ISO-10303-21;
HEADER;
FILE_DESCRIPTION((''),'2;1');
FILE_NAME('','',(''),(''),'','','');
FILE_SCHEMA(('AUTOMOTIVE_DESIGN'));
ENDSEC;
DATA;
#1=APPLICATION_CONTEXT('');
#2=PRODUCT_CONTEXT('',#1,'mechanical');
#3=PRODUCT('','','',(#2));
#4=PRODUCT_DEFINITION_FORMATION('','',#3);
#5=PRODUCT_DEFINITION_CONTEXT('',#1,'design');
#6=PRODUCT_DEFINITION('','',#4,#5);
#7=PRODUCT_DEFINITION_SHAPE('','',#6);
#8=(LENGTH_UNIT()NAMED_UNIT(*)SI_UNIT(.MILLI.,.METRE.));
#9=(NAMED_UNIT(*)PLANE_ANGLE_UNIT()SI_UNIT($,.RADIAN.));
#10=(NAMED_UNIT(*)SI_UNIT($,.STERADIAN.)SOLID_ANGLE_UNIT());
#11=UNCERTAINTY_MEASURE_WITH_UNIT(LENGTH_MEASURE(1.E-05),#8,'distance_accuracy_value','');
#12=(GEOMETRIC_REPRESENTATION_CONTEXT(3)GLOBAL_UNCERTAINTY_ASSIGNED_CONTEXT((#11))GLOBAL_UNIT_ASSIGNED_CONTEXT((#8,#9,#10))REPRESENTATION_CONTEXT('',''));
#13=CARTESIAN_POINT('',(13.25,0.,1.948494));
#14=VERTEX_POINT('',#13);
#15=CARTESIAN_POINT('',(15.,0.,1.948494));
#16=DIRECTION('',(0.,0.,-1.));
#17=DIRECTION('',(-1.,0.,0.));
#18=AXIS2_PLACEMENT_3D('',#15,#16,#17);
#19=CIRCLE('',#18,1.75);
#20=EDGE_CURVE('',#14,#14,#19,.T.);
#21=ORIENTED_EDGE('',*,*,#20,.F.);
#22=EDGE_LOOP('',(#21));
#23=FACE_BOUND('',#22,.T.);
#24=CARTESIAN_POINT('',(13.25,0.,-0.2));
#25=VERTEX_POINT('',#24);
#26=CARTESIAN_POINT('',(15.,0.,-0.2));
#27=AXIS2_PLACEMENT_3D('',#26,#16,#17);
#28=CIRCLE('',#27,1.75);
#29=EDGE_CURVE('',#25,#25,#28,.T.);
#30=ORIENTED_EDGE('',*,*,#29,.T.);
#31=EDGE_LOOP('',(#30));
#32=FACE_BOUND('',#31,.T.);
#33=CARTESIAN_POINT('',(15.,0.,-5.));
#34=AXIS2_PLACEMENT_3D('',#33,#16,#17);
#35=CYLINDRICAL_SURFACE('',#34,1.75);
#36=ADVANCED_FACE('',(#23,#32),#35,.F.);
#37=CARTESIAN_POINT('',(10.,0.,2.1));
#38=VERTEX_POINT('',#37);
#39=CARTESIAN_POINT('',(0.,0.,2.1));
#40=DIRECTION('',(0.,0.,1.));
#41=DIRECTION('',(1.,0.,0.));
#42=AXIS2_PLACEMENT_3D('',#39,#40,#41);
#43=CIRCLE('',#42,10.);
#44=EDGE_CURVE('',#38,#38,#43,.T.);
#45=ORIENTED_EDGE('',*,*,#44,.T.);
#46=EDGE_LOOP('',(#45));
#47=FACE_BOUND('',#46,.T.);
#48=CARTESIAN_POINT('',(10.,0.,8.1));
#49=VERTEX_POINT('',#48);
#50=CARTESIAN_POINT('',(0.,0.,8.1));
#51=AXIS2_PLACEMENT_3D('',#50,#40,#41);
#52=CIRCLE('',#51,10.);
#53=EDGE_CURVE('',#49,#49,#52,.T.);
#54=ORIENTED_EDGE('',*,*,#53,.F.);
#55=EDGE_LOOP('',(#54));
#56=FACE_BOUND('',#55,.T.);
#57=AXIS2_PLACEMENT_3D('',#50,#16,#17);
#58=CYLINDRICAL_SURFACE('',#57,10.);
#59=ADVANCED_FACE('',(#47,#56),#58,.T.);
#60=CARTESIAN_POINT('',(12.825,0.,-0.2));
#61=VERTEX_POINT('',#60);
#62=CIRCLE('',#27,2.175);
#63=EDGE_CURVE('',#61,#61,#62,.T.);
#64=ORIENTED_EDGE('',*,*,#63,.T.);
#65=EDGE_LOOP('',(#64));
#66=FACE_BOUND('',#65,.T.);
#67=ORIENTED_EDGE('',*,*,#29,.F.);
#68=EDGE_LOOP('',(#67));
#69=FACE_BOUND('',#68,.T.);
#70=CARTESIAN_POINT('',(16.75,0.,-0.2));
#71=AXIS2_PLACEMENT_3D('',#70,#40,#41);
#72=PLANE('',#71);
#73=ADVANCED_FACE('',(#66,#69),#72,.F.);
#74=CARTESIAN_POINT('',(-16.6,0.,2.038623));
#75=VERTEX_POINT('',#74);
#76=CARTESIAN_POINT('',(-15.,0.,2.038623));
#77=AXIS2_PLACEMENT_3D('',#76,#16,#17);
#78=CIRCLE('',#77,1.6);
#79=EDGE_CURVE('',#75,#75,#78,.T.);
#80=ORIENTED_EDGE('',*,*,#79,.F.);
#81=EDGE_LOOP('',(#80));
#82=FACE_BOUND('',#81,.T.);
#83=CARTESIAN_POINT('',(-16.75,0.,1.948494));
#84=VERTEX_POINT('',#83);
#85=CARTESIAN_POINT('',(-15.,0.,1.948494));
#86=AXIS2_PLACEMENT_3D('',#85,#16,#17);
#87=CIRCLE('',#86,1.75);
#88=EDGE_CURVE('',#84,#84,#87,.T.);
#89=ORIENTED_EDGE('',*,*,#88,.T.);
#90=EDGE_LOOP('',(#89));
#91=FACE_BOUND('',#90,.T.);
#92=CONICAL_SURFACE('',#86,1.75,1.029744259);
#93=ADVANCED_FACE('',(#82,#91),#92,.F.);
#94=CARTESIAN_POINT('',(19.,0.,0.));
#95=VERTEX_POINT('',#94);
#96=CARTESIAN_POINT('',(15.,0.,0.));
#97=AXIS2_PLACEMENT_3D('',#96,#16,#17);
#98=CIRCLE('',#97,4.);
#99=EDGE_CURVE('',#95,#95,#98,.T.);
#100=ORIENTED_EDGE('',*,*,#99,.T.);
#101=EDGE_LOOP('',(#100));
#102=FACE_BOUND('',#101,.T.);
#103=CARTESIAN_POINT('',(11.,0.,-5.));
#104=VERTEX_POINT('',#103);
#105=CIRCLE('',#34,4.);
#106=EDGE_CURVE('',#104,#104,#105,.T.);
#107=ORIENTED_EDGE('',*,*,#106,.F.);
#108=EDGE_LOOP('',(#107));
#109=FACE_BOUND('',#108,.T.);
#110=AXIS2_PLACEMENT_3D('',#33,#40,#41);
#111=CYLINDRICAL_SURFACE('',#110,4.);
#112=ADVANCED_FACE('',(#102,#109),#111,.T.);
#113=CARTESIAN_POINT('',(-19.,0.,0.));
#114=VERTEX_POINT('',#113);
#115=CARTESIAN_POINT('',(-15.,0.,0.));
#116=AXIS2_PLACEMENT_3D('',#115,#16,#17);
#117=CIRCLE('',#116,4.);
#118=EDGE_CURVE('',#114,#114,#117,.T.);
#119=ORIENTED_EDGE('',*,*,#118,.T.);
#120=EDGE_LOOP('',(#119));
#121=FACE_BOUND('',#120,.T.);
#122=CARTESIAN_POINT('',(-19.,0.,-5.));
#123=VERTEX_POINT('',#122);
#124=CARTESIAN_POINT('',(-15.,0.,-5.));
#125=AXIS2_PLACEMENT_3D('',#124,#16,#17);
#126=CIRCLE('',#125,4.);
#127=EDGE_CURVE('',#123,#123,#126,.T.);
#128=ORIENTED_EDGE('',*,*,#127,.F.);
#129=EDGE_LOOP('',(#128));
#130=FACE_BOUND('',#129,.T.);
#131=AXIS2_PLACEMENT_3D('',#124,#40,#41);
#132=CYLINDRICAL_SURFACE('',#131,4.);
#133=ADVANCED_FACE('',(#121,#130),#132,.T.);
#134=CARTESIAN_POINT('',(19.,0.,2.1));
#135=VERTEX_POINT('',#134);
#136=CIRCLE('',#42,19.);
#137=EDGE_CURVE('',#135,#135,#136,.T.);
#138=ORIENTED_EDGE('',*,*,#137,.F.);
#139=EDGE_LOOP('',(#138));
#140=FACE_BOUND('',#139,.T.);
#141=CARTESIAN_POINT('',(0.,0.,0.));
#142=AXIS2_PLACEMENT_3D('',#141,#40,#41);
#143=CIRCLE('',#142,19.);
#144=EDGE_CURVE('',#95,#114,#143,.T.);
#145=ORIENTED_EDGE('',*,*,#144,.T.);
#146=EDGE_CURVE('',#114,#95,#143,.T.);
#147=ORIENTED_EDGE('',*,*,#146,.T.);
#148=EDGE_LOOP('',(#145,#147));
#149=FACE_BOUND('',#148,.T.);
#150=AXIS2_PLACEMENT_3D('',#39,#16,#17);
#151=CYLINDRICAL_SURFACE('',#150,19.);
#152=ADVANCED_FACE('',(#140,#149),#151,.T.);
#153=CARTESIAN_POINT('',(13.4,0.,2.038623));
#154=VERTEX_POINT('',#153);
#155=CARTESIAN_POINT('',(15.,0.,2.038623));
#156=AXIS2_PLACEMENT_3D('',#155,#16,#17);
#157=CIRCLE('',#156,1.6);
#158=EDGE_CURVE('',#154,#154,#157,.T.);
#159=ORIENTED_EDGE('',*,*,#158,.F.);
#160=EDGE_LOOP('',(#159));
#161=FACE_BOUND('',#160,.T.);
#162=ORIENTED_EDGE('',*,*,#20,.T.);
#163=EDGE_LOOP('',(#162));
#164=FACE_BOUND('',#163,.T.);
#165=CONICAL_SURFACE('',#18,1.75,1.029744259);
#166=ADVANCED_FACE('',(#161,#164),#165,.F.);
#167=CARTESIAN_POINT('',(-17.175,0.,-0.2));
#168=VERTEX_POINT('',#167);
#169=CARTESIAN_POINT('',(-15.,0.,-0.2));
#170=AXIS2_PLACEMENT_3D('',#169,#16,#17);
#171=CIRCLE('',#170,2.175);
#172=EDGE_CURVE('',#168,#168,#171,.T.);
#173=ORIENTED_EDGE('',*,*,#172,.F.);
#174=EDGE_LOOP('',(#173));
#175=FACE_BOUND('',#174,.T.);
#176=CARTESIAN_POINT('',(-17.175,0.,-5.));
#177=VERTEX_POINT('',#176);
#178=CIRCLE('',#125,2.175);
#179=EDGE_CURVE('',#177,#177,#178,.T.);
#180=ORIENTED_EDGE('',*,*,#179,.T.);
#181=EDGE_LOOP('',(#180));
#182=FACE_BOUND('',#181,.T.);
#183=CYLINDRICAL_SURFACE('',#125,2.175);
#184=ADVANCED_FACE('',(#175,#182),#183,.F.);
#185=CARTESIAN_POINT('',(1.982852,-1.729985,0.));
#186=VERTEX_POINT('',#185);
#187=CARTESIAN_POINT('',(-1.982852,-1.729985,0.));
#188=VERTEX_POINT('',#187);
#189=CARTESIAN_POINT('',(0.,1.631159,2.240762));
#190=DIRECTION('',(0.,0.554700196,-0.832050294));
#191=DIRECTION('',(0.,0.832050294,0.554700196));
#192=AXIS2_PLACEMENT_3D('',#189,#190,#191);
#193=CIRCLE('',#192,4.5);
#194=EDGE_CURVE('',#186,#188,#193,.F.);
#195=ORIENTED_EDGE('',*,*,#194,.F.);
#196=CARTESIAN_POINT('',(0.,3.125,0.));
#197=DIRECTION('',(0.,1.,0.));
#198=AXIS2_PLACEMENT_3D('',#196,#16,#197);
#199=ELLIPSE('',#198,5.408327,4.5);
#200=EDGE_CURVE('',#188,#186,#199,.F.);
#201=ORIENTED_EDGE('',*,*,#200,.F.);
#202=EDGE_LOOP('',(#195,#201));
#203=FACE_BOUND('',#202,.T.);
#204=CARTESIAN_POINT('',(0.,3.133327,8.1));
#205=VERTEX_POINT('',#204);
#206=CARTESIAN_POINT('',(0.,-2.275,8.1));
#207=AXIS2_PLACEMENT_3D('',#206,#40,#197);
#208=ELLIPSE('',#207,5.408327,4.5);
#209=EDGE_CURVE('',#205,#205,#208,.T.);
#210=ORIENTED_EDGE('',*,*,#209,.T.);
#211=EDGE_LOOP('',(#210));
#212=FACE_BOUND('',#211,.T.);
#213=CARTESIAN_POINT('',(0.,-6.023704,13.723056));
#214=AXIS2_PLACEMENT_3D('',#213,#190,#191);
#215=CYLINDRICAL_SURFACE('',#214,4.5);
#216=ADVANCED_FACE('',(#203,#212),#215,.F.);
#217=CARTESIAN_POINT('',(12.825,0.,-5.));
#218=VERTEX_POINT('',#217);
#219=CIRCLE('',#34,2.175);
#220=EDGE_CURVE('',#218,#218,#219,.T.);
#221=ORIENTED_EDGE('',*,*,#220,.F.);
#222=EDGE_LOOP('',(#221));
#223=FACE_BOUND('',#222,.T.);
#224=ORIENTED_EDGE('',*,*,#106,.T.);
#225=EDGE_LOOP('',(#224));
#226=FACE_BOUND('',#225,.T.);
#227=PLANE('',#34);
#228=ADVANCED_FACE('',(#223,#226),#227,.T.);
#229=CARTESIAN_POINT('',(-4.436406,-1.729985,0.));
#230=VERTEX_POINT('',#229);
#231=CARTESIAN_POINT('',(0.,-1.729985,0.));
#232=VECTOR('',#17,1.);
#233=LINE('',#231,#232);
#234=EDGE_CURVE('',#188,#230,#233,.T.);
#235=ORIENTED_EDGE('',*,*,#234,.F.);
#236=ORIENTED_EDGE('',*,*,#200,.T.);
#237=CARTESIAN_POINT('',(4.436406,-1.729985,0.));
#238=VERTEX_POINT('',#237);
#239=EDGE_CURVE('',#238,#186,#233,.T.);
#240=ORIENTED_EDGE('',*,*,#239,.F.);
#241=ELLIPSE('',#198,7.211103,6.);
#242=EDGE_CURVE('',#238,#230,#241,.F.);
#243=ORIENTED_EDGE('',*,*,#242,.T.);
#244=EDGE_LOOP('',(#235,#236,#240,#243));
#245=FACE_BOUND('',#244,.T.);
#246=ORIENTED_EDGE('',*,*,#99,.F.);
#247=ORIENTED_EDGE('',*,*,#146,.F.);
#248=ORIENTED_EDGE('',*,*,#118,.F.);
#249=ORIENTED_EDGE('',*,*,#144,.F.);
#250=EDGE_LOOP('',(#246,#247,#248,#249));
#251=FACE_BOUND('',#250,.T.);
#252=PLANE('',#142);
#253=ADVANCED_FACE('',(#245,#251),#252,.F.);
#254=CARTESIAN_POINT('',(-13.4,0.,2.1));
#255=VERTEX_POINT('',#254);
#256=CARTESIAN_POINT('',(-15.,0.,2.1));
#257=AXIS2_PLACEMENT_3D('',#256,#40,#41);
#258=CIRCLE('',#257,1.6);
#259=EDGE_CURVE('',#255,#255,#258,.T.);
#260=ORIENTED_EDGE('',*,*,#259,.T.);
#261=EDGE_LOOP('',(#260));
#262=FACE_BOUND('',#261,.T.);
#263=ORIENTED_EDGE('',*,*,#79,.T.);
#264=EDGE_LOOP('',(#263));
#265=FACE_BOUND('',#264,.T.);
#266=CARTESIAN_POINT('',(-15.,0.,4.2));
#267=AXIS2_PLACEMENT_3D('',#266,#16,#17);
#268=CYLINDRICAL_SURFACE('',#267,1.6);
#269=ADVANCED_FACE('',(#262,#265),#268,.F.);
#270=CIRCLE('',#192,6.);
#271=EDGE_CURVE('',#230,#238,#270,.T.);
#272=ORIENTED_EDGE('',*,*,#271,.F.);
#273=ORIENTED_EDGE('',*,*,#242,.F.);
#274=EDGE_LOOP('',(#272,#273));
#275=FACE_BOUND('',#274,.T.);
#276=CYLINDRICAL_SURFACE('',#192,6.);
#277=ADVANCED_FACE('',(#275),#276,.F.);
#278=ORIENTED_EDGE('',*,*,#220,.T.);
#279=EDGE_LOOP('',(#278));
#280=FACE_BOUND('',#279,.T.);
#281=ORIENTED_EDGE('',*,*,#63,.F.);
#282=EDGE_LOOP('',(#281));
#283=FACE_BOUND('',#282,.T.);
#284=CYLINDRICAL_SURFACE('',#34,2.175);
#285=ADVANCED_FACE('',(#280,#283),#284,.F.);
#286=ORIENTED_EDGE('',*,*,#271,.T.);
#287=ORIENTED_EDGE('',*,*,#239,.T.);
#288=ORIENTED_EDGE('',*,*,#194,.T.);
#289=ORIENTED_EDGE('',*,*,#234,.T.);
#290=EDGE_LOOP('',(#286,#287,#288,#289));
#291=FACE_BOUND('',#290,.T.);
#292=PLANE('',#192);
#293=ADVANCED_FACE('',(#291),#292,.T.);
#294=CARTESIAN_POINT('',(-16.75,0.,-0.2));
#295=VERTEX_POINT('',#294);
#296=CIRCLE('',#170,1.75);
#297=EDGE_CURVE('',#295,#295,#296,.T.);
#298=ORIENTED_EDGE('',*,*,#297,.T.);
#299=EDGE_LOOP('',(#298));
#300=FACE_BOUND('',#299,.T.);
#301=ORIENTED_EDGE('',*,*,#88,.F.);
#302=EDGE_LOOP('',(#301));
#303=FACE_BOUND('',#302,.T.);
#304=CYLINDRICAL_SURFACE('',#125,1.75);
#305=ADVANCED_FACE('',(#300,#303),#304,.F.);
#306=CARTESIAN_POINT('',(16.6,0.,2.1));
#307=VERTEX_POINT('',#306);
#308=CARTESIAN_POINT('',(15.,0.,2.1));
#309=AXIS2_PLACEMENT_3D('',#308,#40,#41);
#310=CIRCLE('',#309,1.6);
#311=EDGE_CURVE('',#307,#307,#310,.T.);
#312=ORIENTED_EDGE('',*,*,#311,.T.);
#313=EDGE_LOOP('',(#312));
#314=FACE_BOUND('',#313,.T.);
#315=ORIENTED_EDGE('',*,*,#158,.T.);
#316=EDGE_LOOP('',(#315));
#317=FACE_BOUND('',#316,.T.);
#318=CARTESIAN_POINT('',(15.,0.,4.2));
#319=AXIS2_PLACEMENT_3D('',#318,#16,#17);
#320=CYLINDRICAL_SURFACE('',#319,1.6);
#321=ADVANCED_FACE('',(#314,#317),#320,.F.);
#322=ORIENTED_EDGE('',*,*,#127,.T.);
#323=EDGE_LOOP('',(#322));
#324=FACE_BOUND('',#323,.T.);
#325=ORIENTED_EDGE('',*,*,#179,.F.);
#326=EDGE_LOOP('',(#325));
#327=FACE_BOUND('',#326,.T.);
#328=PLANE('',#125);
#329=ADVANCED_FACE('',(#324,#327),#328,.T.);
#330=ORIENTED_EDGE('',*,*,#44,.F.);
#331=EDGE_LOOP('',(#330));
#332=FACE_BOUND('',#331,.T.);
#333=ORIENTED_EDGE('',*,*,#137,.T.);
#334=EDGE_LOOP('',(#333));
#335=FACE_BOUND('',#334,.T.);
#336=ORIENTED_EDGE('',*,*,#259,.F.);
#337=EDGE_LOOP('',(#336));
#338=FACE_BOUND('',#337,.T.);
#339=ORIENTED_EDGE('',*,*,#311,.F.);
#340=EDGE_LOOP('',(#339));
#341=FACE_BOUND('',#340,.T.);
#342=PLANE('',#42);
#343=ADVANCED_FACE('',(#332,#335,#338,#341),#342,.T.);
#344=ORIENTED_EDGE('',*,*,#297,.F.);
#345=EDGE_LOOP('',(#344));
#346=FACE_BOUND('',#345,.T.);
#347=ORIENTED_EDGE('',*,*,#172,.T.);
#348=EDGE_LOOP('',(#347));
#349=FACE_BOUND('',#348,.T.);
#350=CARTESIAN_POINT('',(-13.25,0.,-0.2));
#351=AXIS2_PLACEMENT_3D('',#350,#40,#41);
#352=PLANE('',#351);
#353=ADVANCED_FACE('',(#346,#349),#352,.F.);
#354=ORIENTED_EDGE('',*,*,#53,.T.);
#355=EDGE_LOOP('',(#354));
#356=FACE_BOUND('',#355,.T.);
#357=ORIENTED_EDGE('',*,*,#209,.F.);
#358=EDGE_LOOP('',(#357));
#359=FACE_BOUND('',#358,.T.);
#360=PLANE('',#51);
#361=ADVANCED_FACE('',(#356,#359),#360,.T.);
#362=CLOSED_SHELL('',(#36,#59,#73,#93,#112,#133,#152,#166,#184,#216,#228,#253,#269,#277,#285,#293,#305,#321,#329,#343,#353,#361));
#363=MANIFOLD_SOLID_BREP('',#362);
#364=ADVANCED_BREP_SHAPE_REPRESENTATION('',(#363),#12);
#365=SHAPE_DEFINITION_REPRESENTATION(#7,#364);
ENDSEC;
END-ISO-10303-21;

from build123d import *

# Parameters (mm, degrees)
ESQUISSE1_R                                        = 19
BOSS_EXTRU_1_DEPTH                                 = 2.1
ESQUISSE2_R                                        = 10
BOSS_EXTRU_2_DEPTH                                 = 6
ESQUISSE4_R                                        = 4.5
ENL_V_MAT_EXTRU_1_DEPTH                            = 21
ESQUISSE5_R                                        = 6
ENL_V_MAT_EXTRU_2_DEPTH                            = 7.2
ENL_V_MAT_EXTRU_3_DEPTH                            = 4.2
ENL_V_MAT_EXTRU_3_DEPTH_BACK                       = 10
CONG_1_R                                           = 4
ESQUISSE7_R                                        = 1.6
ENL_V_MAT_EXTRU_4_DEPTH                            = 4.2
CONG_2_R                                           = 4
ESQUISSE8_W                                        = 24.922206
ESQUISSE8_H                                        = 11.327448
ENL_V_MAT_EXTRU_5_DEPTH                            = 25
ESQUISSE9_R                                        = 4
ESQUISSE9_R_2                                      = 1.6
BOSS_EXTRU_4_DEPTH                                 = 5
CHAMBRAGE_POUR_VIS_T_TE_RONDE_BOMB_E_M_D           = 3.5
CHAMBRAGE_POUR_VIS_T_TE_RONDE_BOMB_E_M_DEPTH       = 6.948494
CHAMBRAGE_POUR_VIS_T_TE_RONDE_BOMB_E_M_CBORE_D     = 4.35
CHAMBRAGE_POUR_VIS_T_TE_RONDE_BOMB_E_M_CBORE_DEPTH = 4.8
CHAMBRAGE_POUR_VIS_T_TE_RONDE_BOMB_E_M_TIP         = 1.051506


with BuildPart() as part:
    # Esquisse1 → Boss.-Extru.1 (new body)
    with BuildSketch(Plane.XY):
        Circle(ESQUISSE1_R)
    extrude(amount=BOSS_EXTRU_1_DEPTH)

    # Esquisse2 → Boss.-Extru.2 (add)
    with BuildSketch(Plane.XY.offset(2.1)):
        Circle(ESQUISSE2_R)
    extrude(amount=BOSS_EXTRU_2_DEPTH)

    # Esquisse3 → Révolution1 (revolve)
    with BuildSketch(Plane(origin=(0, 0, 0), x_dir=(0, 0, -1), z_dir=(1, 0, 0))):
        Polygon((7.5, 0), (0, -11.25), (0, 0), align=None)
    revolve(axis=Axis((0, 0, 0), (0, 0, -1)))

    # Esquisse4 → Enlèv. mat.-Extru.1 (cut)
    with BuildSketch(Plane(origin=(0, 3.461538, -5.192308), x_dir=(0, 0.83205, 0.5547), z_dir=(0, 0.5547, -0.83205))):
        with Locations((2.600157, 0)):
            Circle(ESQUISSE4_R)
    extrude(amount=-ENL_V_MAT_EXTRU_1_DEPTH, mode=Mode.SUBTRACT)

    # Esquisse5 → Enlèv. mat.-Extru.2 (cut)
    with BuildSketch(Plane(origin=(0, 3.461538, -5.192308), x_dir=(0, 0.83205, 0.5547), z_dir=(0, 0.5547, -0.83205))):
        with Locations((2.600157, 0)):
            Circle(ESQUISSE5_R)
    extrude(amount=-ENL_V_MAT_EXTRU_2_DEPTH, mode=Mode.SUBTRACT)

    # Esquisse6 → Enlèv. mat.-Extru.3 (cut, two sides)
    with BuildSketch(Plane(origin=(0, 0, 0), x_dir=(1, 0, 0), z_dir=(0, 1, 0))) as enl_v_mat_extru_3_sk:
        with BuildLine():
            Line((2.748075, 5.66795), (0, 7.5))
            Line((0, 7.5), (-2.748075, 5.66795))
            ThreePointArc((-2.748075, 5.66795), (0, 6.5), (2.748075, 5.66795))
        make_face()
    extrude(amount=ENL_V_MAT_EXTRU_3_DEPTH, mode=Mode.SUBTRACT)
    extrude(enl_v_mat_extru_3_sk.sketch, amount=-ENL_V_MAT_EXTRU_3_DEPTH_BACK, mode=Mode.SUBTRACT)

    # Congé1
    cong_1_edges = [part.edges().sort_by_distance(p)[0] for p in [
        (-1.569953, -1.039687, -6.244664),
    ]]
    fillet(cong_1_edges, radius=CONG_1_R)

    # Esquisse7 → Enlèv. mat.-Extru.4 (cut)
    with BuildSketch(Plane(origin=(0, 0, 0), x_dir=(-1, 0, 0), z_dir=(0, 0, -1))):
        with Locations((-15, 0)):
            Circle(ESQUISSE7_R)
        with Locations((15, 0)):
            Circle(ESQUISSE7_R)
    extrude(amount=-ENL_V_MAT_EXTRU_4_DEPTH, mode=Mode.SUBTRACT)

    # Congé2
    cong_2_edges = [part.edges().sort_by_distance(p)[0] for p in [
        (0, 11.25, 0),
    ]]
    fillet(cong_2_edges, radius=CONG_2_R)

    # Esquisse8 → Enlèv. mat.-Extru.5 (cut, symmetric)
    with BuildSketch(Plane(origin=(0, 0, 0), x_dir=(1, 0, 0), z_dir=(0, 1, 0))):
        with Locations((0, 5.663724)):
            Rectangle(ESQUISSE8_W, ESQUISSE8_H)
    extrude(amount=ENL_V_MAT_EXTRU_5_DEPTH, both=True, mode=Mode.SUBTRACT)

    # Esquisse9 → Boss.-Extru.4 (add)
    with BuildSketch(Plane(origin=(0, 0, 0), x_dir=(-1, 0, 0), z_dir=(0, 0, -1))):
        with Locations((-15, 0)):
            Circle(ESQUISSE9_R)
        with Locations((-15, 0)):
            Circle(ESQUISSE9_R_2, mode=Mode.SUBTRACT)
        with Locations((15, 0)):
            Circle(ESQUISSE9_R)
        with Locations((15, 0)):
            Circle(ESQUISSE9_R_2, mode=Mode.SUBTRACT)
    extrude(amount=BOSS_EXTRU_4_DEPTH)

    # Chambrage pour vis à tête ronde bombée M21
    with Locations(Plane(origin=(15, 0, -5), x_dir=(-1, 0, 0), z_dir=(0, 0, -1))):
        with Locations((0, 0), (30, 0)):
            CounterBoreHole(CHAMBRAGE_POUR_VIS_T_TE_RONDE_BOMB_E_M_D / 2, CHAMBRAGE_POUR_VIS_T_TE_RONDE_BOMB_E_M_CBORE_D / 2, CHAMBRAGE_POUR_VIS_T_TE_RONDE_BOMB_E_M_CBORE_DEPTH, depth=CHAMBRAGE_POUR_VIS_T_TE_RONDE_BOMB_E_M_DEPTH)
            with Locations((0, 0, -(CHAMBRAGE_POUR_VIS_T_TE_RONDE_BOMB_E_M_DEPTH + CHAMBRAGE_POUR_VIS_T_TE_RONDE_BOMB_E_M_TIP / 2))):  # 118° drill point
                Cone(0, CHAMBRAGE_POUR_VIS_T_TE_RONDE_BOMB_E_M_D / 2, CHAMBRAGE_POUR_VIS_T_TE_RONDE_BOMB_E_M_TIP, mode=Mode.SUBTRACT)


solid = part.part
